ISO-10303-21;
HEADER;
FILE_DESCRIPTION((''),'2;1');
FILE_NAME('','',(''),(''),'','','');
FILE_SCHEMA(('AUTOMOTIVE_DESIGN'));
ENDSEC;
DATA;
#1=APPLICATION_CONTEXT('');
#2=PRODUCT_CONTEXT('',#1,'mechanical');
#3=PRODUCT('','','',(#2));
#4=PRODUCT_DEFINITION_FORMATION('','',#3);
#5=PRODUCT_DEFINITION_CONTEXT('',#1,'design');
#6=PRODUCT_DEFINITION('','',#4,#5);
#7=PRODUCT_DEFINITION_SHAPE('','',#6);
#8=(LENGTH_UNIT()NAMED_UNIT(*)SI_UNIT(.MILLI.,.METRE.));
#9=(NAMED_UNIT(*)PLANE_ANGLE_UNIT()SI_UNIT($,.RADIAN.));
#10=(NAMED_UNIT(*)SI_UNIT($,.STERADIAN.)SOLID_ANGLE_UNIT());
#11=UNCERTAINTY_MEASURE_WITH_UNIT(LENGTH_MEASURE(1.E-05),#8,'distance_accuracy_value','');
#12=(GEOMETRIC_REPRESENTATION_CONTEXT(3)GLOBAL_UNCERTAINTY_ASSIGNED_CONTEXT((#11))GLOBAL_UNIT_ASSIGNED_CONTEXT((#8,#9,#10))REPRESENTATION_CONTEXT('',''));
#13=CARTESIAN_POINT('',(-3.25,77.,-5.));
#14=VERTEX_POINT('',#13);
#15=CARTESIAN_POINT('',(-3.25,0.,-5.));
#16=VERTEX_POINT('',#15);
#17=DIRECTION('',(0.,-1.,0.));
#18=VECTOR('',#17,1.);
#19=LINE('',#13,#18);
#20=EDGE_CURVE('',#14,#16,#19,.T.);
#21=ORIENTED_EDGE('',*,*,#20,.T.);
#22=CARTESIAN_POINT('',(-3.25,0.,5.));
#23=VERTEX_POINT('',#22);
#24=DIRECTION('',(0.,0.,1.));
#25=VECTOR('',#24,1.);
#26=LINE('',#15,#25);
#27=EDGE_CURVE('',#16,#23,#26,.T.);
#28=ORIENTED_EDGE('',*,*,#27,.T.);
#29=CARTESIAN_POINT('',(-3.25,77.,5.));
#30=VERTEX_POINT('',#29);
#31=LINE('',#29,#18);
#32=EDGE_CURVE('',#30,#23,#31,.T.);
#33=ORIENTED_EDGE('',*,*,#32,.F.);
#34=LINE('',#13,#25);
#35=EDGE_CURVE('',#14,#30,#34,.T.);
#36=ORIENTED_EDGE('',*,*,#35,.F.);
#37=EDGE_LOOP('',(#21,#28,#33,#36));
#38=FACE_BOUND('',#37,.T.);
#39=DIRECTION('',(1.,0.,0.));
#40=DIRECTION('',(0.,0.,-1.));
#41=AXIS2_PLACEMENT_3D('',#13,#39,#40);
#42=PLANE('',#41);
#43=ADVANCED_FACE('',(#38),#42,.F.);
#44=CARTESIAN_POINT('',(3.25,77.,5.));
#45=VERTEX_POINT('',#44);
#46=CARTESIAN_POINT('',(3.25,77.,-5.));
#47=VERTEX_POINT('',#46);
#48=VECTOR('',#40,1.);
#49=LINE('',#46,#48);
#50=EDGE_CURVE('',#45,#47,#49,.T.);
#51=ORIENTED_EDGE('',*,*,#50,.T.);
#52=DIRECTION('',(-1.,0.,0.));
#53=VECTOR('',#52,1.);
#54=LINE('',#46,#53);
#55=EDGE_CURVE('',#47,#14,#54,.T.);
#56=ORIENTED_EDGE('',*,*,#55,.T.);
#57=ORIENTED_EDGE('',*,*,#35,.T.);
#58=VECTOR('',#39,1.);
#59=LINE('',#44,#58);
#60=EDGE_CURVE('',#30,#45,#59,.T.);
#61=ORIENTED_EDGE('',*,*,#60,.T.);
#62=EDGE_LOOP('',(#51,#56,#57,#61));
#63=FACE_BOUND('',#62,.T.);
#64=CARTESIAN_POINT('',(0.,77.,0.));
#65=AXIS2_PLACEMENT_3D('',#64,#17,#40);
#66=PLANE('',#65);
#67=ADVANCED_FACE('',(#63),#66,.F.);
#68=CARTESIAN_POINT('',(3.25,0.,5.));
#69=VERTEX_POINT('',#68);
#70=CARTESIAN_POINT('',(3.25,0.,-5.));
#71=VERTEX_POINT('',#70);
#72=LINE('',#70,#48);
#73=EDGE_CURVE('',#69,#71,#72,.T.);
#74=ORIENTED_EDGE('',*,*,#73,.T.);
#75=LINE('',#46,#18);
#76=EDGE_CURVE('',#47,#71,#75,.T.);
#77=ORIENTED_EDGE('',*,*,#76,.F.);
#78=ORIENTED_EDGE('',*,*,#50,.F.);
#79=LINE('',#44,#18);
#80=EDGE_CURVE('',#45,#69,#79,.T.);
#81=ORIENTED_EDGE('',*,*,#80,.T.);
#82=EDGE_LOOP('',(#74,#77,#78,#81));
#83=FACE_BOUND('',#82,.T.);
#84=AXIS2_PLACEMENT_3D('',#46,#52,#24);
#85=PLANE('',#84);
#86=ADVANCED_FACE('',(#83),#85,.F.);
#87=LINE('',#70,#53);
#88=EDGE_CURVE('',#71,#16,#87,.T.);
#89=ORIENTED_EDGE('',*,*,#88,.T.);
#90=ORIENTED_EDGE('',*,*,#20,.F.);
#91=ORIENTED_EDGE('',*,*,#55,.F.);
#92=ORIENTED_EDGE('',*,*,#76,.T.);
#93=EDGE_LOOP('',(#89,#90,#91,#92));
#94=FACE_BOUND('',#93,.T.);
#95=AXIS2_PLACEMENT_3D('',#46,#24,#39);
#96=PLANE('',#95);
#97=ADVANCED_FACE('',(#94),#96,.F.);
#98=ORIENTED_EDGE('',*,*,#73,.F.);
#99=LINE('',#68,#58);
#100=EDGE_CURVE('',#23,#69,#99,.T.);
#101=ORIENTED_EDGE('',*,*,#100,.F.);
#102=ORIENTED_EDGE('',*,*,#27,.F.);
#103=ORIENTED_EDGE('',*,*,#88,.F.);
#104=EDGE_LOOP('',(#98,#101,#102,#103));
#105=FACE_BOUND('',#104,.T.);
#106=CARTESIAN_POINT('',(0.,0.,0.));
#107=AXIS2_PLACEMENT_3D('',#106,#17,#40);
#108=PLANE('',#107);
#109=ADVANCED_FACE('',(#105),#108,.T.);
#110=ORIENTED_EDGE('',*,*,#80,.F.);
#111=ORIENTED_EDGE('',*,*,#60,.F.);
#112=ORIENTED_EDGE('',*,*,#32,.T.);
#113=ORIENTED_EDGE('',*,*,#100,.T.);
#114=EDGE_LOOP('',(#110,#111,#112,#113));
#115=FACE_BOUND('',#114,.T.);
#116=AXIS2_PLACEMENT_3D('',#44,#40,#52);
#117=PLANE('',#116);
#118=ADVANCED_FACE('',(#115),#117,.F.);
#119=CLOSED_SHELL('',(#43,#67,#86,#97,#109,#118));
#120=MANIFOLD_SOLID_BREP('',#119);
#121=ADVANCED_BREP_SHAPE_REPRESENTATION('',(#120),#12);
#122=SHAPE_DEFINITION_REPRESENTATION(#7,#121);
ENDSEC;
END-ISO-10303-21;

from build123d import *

# Parameters (mm, degrees)
CROQUIS1_W              = 6.5
CROQUIS1_H              = 10
SALIENTE_EXTRUIR1_DEPTH = 77


with BuildPart() as part:
    # Croquis1 → Saliente-Extruir1 (new body)
    with BuildSketch(Plane(origin=(0, 0, 0), x_dir=(1, 0, 0), z_dir=(0, 1, 0))):
        Rectangle(CROQUIS1_W, CROQUIS1_H)
    extrude(amount=SALIENTE_EXTRUIR1_DEPTH)


solid = part.part
